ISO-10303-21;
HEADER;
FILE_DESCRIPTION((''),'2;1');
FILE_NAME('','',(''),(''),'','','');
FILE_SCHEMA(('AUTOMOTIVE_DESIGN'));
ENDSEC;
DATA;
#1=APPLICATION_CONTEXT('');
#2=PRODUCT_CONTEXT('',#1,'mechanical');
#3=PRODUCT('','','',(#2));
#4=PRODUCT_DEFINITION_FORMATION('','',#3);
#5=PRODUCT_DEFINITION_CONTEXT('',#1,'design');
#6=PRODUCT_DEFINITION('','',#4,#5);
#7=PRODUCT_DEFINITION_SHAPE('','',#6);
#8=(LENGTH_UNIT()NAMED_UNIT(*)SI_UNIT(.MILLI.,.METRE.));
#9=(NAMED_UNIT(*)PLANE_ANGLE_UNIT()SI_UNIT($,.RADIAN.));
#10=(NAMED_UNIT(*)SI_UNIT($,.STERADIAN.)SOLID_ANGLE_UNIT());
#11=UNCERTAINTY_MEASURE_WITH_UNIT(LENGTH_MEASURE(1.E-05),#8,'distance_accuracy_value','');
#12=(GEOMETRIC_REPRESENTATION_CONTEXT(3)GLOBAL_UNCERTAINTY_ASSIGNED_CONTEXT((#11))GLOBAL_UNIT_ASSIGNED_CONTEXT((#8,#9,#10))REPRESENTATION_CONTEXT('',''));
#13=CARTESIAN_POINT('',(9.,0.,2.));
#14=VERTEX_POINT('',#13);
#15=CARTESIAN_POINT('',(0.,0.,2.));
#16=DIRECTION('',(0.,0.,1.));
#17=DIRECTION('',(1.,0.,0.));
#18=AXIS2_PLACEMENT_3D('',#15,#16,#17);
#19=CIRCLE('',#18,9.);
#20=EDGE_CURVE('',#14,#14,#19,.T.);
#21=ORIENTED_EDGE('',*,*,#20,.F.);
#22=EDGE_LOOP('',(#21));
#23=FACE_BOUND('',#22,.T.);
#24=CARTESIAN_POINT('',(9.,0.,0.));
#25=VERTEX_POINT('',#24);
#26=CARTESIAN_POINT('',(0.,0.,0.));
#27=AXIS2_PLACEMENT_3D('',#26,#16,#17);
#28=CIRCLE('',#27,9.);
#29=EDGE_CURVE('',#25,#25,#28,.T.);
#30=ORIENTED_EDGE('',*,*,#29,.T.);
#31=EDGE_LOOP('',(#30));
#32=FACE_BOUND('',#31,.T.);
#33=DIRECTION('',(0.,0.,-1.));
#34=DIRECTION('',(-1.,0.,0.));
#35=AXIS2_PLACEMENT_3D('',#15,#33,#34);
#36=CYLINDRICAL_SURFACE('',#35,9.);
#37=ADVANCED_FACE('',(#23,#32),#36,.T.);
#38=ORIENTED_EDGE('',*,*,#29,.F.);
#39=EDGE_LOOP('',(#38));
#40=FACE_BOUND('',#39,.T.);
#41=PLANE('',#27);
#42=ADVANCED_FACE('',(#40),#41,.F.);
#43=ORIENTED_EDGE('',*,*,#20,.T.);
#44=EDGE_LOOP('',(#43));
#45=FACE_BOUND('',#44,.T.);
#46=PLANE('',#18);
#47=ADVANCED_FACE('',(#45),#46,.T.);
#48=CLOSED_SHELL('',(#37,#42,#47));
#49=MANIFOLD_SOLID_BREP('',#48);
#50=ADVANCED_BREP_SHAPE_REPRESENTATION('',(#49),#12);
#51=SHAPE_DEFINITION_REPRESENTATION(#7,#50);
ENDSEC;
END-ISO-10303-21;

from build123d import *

# Parameters (mm, degrees)
SKETCH1_R           = 9
BOSS_EXTRUDE1_DEPTH = 2


with BuildPart() as part:
    # Sketch1 → Boss-Extrude1 (new body)
    with BuildSketch(Plane.XY):
        Circle(SKETCH1_R)
    extrude(amount=BOSS_EXTRUDE1_DEPTH)


solid = part.part
